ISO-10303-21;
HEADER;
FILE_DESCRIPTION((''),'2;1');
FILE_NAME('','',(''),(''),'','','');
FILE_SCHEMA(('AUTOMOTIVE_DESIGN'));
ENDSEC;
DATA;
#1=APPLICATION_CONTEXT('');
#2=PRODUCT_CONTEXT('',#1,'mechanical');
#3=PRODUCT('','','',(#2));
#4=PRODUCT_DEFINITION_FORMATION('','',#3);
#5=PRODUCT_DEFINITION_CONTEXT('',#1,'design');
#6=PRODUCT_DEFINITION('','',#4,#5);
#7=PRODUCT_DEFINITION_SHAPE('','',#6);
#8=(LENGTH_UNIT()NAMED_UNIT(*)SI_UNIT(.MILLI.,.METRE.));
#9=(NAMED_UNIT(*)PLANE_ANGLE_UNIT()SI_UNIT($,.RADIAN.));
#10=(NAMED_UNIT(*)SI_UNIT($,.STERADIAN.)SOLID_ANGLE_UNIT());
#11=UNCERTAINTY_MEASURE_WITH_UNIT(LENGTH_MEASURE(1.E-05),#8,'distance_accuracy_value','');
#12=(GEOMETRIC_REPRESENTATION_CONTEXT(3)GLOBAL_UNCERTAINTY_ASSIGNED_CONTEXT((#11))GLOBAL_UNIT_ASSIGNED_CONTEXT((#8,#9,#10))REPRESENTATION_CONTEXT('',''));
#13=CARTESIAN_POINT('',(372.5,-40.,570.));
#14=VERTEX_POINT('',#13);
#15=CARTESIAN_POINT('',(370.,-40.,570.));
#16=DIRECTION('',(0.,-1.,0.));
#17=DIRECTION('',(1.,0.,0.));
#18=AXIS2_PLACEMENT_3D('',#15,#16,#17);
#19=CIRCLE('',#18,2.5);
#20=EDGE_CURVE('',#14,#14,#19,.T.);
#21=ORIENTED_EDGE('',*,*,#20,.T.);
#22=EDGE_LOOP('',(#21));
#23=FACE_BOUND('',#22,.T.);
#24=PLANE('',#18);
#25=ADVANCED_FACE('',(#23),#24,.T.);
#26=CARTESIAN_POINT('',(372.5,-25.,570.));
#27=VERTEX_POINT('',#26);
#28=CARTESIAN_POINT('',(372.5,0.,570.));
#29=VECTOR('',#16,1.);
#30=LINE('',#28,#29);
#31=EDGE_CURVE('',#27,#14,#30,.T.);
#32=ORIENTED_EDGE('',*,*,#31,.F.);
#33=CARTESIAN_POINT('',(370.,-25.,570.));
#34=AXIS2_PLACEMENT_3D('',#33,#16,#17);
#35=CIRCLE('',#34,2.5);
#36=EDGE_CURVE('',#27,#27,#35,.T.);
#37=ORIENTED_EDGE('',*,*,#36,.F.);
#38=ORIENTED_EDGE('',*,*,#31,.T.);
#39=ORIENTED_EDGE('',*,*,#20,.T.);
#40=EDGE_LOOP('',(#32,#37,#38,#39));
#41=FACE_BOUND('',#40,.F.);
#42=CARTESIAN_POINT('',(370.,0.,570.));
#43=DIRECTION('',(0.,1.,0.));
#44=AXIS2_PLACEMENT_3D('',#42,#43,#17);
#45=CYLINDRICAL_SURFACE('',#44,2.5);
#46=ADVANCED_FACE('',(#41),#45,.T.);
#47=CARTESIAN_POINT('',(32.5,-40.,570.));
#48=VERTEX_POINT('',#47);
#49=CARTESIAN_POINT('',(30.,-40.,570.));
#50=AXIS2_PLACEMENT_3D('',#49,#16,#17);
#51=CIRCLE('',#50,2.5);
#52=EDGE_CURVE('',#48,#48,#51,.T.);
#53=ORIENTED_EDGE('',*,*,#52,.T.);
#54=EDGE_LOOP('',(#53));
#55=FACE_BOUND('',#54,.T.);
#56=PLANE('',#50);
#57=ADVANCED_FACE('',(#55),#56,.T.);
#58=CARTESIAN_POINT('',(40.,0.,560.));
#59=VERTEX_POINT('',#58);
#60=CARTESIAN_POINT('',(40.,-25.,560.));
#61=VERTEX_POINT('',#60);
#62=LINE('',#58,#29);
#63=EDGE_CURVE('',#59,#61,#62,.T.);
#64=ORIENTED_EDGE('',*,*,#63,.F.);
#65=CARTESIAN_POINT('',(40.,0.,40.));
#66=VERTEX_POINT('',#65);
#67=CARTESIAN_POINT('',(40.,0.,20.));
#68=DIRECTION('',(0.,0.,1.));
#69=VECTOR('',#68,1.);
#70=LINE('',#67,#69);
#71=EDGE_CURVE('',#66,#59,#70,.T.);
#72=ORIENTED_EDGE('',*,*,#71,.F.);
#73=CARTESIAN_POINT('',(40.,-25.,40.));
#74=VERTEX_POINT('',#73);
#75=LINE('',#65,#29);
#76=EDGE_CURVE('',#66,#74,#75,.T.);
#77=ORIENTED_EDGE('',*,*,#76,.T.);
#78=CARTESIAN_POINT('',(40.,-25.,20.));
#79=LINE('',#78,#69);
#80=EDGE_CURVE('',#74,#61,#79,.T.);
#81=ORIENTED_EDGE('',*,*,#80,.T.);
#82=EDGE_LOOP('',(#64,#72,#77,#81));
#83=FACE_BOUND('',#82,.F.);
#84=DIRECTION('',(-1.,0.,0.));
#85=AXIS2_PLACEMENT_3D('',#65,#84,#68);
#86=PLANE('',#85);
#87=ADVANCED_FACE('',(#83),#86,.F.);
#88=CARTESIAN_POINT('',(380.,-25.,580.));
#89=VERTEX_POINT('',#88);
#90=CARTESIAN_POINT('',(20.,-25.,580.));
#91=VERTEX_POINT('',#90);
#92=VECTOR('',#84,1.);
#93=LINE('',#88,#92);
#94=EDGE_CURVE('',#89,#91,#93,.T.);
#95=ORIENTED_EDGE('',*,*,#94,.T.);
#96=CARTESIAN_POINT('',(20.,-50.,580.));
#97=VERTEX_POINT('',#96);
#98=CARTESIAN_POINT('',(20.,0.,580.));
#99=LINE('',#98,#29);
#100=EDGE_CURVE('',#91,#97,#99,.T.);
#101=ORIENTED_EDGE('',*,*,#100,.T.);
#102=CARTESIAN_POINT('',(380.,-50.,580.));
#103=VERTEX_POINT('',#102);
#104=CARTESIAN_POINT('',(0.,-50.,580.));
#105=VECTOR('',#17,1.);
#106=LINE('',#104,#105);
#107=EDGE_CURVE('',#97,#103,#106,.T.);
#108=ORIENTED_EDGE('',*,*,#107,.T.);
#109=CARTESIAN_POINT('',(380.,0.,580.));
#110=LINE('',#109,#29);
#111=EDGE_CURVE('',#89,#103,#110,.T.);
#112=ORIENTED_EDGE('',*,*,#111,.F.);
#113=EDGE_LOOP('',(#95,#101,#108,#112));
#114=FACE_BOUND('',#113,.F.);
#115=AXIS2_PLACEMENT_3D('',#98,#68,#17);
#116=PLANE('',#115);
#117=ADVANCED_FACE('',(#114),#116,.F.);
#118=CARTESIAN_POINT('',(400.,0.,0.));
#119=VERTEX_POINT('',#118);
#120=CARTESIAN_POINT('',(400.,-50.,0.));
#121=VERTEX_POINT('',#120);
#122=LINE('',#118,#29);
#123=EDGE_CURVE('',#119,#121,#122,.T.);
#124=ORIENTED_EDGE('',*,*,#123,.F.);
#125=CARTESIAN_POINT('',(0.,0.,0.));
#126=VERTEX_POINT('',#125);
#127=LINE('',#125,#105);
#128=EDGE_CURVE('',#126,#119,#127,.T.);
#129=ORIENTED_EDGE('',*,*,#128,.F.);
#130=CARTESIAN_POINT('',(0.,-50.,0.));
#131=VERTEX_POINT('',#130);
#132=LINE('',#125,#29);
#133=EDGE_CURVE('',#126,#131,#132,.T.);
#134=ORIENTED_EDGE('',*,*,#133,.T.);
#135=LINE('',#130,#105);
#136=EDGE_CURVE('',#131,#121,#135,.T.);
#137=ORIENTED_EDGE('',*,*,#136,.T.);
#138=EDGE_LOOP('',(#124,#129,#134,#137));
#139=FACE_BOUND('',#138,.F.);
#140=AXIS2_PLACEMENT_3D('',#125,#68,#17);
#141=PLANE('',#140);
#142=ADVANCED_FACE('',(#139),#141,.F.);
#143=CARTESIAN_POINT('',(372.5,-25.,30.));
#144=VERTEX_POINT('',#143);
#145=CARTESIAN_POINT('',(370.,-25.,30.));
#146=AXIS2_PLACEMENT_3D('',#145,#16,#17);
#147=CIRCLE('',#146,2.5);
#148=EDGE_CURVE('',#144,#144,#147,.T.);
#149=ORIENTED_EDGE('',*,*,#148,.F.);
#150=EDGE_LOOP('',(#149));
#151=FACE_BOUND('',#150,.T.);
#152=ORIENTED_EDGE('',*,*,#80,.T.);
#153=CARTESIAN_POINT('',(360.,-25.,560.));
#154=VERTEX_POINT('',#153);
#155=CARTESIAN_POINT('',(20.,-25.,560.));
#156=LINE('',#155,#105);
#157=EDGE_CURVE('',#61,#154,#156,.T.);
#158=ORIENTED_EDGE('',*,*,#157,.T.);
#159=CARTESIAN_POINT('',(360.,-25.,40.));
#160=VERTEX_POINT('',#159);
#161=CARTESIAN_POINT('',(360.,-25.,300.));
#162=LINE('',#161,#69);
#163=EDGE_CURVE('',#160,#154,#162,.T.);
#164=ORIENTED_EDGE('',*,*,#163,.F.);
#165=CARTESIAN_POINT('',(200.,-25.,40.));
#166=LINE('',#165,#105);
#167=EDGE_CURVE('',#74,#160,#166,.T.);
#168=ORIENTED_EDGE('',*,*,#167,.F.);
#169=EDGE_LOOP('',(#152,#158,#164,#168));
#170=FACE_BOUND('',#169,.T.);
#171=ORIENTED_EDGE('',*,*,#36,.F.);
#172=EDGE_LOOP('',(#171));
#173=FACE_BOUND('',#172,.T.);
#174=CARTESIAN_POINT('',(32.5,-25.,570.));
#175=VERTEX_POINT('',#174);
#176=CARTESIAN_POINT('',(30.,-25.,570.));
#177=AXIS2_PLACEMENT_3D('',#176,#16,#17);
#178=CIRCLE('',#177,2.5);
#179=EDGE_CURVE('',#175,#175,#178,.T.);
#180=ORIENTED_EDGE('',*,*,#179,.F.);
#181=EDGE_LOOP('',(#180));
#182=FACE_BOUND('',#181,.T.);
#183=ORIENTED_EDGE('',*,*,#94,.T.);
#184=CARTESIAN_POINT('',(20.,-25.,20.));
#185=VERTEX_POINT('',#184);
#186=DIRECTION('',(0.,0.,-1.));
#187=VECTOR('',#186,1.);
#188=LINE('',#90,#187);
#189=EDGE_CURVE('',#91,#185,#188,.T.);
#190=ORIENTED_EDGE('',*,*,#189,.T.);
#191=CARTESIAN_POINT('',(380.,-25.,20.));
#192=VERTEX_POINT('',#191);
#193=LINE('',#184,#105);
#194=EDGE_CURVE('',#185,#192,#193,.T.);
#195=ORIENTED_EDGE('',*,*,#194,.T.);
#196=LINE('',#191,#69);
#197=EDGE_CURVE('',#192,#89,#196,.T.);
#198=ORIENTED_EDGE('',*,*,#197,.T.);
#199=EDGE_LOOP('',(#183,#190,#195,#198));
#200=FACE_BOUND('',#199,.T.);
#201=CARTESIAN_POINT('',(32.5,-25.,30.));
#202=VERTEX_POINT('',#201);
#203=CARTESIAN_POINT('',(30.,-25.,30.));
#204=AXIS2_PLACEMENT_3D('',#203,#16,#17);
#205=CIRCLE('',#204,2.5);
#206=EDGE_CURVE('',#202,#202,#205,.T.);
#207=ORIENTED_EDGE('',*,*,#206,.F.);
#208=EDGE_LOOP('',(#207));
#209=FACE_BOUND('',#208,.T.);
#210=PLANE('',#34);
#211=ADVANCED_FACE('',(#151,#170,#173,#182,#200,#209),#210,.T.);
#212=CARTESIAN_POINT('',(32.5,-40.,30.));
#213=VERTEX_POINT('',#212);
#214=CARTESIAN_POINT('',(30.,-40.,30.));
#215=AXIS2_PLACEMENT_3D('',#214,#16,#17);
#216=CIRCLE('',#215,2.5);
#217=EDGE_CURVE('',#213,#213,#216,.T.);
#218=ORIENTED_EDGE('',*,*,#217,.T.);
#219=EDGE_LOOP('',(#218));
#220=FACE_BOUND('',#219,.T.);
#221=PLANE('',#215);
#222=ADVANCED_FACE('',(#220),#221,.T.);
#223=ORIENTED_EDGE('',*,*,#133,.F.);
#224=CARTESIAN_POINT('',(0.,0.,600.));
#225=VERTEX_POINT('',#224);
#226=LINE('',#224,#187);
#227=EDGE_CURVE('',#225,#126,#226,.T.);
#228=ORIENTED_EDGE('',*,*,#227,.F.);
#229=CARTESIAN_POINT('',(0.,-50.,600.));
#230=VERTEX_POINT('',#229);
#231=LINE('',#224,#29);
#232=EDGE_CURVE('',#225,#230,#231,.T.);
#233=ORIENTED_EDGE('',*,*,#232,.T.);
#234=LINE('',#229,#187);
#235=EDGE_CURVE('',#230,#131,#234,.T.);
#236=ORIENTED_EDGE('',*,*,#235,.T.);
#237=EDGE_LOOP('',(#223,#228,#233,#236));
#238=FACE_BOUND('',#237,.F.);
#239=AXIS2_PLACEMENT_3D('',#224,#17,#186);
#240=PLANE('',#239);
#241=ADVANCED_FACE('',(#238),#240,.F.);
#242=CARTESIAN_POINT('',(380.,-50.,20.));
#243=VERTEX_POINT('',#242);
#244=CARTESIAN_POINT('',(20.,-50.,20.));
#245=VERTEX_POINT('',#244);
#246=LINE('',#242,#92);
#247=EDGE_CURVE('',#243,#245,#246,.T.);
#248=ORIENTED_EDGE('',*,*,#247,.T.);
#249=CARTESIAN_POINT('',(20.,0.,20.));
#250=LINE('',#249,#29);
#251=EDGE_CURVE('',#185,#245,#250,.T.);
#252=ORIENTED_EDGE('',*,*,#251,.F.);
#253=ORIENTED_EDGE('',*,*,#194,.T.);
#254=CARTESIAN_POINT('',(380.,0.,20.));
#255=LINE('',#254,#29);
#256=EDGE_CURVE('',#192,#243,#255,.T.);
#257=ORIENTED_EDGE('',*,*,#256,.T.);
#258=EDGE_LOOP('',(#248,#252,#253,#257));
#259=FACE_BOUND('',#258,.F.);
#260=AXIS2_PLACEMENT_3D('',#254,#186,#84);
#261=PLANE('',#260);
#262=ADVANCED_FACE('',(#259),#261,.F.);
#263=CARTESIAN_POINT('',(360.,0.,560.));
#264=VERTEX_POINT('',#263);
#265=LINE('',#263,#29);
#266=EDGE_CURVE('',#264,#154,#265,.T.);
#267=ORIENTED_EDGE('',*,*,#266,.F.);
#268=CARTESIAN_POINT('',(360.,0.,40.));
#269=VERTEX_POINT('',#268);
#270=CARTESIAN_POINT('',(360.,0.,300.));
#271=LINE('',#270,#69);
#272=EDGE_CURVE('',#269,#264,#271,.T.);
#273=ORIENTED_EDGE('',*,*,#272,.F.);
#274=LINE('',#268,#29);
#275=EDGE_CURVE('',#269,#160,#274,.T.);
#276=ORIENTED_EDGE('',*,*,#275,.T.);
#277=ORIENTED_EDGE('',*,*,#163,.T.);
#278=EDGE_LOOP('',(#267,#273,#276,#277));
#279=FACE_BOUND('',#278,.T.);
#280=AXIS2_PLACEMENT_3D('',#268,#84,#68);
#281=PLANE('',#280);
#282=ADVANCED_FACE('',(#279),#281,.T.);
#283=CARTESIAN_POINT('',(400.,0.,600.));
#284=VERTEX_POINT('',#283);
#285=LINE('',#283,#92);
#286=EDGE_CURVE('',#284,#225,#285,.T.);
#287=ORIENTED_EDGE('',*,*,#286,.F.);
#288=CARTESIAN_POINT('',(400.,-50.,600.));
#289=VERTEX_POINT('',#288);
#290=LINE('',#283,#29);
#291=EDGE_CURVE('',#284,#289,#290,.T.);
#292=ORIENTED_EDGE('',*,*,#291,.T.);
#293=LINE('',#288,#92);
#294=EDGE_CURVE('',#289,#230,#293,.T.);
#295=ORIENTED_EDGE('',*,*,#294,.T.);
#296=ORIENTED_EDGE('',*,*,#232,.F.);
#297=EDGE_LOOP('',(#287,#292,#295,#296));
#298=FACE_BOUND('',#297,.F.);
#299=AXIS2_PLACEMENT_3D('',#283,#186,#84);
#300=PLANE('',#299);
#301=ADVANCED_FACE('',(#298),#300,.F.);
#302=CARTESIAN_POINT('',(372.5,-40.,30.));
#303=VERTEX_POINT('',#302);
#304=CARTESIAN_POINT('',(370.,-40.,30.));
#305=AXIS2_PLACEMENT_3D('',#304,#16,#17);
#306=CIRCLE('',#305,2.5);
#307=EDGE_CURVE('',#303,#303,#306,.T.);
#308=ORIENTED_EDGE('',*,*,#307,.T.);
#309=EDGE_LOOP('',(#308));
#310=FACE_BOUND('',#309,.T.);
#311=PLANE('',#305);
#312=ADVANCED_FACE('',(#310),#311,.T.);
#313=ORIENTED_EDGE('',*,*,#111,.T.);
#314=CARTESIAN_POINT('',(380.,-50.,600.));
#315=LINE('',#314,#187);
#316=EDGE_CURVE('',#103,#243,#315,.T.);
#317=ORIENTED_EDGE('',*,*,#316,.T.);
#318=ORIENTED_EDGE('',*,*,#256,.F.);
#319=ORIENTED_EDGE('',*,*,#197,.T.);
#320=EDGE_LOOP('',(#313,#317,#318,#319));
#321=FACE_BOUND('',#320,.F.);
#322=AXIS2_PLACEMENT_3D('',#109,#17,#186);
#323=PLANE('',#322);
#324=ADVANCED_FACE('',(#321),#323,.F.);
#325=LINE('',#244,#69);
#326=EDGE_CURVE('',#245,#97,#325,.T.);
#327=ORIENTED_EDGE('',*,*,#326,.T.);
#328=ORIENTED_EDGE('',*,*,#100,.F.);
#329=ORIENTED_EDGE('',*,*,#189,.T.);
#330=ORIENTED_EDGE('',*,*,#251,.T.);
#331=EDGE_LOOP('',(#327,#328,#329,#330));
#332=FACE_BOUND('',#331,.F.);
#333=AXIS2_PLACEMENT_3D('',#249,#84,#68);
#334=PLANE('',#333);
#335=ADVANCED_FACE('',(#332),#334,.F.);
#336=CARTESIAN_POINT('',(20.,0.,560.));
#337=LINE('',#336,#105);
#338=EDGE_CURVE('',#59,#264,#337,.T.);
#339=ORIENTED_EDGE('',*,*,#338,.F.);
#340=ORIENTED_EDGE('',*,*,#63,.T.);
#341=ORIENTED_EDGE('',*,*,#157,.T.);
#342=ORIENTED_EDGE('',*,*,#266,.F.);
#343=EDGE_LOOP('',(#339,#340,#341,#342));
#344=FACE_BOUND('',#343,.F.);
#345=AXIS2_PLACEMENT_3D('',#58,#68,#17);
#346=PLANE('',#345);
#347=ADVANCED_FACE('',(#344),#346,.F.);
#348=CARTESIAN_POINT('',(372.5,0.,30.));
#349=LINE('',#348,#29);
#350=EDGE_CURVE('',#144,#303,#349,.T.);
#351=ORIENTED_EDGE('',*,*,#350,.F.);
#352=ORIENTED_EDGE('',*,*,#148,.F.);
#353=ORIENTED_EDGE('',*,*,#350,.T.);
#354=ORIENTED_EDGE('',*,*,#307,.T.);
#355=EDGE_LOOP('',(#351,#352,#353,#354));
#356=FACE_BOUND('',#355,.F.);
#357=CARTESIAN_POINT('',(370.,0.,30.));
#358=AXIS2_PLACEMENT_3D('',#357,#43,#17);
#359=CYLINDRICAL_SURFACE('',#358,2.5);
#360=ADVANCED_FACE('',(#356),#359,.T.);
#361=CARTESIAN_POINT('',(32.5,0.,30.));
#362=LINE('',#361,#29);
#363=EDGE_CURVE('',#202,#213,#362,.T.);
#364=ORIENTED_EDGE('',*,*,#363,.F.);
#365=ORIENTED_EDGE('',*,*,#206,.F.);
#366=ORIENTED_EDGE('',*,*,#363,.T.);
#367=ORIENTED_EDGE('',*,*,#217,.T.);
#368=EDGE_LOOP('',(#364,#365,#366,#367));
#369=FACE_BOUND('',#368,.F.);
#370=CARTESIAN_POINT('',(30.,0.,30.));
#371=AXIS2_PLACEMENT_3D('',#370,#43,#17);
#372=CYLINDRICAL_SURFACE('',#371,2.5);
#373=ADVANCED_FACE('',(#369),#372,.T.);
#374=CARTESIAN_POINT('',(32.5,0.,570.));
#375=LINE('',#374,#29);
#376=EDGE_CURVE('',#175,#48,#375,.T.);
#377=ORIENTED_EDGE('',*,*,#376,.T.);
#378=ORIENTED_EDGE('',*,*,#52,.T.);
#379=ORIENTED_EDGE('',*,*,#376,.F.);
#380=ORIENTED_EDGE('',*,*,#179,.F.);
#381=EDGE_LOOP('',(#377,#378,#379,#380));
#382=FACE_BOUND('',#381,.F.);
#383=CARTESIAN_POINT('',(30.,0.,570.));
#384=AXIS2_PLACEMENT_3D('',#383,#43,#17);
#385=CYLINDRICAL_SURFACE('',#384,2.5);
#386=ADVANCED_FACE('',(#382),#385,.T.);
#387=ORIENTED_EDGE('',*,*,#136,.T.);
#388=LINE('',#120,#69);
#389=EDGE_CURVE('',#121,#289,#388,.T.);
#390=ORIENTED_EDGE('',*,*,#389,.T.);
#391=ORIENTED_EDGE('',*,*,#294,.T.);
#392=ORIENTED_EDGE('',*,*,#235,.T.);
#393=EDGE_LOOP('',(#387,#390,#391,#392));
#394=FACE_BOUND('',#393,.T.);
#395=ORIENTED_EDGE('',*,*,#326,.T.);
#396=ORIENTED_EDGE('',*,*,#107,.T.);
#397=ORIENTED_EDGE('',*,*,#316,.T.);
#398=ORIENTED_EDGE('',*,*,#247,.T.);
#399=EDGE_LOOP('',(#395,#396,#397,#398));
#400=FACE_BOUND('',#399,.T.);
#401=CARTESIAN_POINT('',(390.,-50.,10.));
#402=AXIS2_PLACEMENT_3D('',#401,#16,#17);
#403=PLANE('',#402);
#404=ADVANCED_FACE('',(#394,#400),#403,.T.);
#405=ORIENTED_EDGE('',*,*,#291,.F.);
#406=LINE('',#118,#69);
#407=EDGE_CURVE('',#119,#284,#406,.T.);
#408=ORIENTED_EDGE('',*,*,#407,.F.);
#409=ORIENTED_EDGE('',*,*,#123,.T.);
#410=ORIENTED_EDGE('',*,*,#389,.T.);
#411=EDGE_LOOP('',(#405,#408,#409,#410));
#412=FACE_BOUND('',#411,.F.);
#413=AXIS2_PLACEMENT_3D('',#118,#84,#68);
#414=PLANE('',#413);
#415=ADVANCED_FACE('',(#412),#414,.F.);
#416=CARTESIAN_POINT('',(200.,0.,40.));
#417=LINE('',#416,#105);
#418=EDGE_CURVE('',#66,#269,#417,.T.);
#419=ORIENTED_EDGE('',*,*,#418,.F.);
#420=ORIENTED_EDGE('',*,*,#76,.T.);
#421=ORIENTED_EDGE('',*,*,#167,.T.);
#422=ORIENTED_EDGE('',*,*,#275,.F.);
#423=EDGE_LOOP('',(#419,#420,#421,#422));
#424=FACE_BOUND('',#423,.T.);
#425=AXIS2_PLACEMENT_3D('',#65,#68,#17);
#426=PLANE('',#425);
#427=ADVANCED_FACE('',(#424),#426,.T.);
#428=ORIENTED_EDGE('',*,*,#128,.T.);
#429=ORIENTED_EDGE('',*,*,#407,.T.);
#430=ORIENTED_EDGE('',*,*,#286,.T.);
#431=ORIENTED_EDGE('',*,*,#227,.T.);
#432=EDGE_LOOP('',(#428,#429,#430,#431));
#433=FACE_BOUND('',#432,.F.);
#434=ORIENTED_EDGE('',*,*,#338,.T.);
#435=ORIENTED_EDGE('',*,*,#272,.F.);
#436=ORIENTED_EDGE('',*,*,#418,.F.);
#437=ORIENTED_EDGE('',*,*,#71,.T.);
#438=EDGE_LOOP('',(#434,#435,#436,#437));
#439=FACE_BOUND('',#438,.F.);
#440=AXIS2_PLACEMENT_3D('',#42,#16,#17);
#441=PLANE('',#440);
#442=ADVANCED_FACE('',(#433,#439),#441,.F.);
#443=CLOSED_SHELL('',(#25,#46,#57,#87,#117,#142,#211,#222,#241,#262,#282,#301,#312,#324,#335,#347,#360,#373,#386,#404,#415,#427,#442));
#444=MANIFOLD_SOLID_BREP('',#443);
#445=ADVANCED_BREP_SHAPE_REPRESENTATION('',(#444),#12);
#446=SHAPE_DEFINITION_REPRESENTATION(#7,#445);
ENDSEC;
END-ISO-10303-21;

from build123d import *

# Parameters (mm, degrees)
F0_W     = 20
F0_H     = 20
F0_W_2   = 320
F0_H_2   = 520
F1_DEPTH = 50
F0_R     = 2.5
F2_DEPTH = 25
F3_DEPTH = 40


with BuildPart() as f1:
    # F0 (on Front) → F1 (new body)
    with BuildSketch(Plane.XZ):
        with Locations((390, 10)):
            Rectangle(F0_W, F0_H)
        with Locations((370, 10)):
            Rectangle(F0_W, F0_H)
        with Locations((200, 10)):
            Rectangle(F0_W_2, F0_H)
        with Locations((390, 300)):
            Rectangle(F0_W, F0_H_2)
        with Locations((390, 30)):
            Rectangle(F0_W, F0_H)
        with Locations((30, 10)):
            Rectangle(F0_W, F0_H)
        with Locations((10, 10)):
            Rectangle(F0_W, F0_H)
        with Locations((10, 30)):
            Rectangle(F0_W, F0_H)
        with Locations((10, 300)):
            Rectangle(F0_W, F0_H_2)
        with Locations((390, 570)):
            Rectangle(F0_W, F0_H)
        with Locations((390, 590)):
            Rectangle(F0_W, F0_H)
        with Locations((370, 590)):
            Rectangle(F0_W, F0_H)
        with Locations((200, 590)):
            Rectangle(F0_W_2, F0_H)
        with Locations((30, 590)):
            Rectangle(F0_W, F0_H)
        with Locations((10, 590)):
            Rectangle(F0_W, F0_H)
        with Locations((10, 570)):
            Rectangle(F0_W, F0_H)
    extrude(amount=F1_DEPTH)

    # F0 (on Front) → F2 (join)
    with BuildSketch(Plane.XZ):
        with Locations((370, 570)):
            Rectangle(F0_W, F0_H)
        with Locations((370, 570)):
            Circle(F0_R, mode=Mode.SUBTRACT)
        with Locations((200, 570)):
            Rectangle(F0_W_2, F0_H)
        with Locations((370, 300)):
            Rectangle(F0_W, F0_H_2)
        with Locations((30, 570)):
            Rectangle(F0_W, F0_H)
        with Locations((30, 570)):
            Circle(F0_R, mode=Mode.SUBTRACT)
        with Locations((30, 300)):
            Rectangle(F0_W, F0_H_2)
        with Locations((30, 30)):
            Rectangle(F0_W, F0_H)
        with Locations((30, 30)):
            Circle(F0_R, mode=Mode.SUBTRACT)
        with Locations((200, 30)):
            Rectangle(F0_W_2, F0_H)
        with Locations((370, 30)):
            Rectangle(F0_W, F0_H)
        with Locations((370, 30)):
            Circle(F0_R, mode=Mode.SUBTRACT)
    extrude(amount=F2_DEPTH)

    # F0 (on Front) → F3 (join)
    with BuildSketch(Plane.XZ):
        with Locations((370, 30)):
            Circle(F0_R)
        with Locations((30, 30)):
            Circle(F0_R)
        with Locations((30, 570)):
            Circle(F0_R)
        with Locations((370, 570)):
            Circle(F0_R)
    extrude(amount=F3_DEPTH)


solid = f1.part
